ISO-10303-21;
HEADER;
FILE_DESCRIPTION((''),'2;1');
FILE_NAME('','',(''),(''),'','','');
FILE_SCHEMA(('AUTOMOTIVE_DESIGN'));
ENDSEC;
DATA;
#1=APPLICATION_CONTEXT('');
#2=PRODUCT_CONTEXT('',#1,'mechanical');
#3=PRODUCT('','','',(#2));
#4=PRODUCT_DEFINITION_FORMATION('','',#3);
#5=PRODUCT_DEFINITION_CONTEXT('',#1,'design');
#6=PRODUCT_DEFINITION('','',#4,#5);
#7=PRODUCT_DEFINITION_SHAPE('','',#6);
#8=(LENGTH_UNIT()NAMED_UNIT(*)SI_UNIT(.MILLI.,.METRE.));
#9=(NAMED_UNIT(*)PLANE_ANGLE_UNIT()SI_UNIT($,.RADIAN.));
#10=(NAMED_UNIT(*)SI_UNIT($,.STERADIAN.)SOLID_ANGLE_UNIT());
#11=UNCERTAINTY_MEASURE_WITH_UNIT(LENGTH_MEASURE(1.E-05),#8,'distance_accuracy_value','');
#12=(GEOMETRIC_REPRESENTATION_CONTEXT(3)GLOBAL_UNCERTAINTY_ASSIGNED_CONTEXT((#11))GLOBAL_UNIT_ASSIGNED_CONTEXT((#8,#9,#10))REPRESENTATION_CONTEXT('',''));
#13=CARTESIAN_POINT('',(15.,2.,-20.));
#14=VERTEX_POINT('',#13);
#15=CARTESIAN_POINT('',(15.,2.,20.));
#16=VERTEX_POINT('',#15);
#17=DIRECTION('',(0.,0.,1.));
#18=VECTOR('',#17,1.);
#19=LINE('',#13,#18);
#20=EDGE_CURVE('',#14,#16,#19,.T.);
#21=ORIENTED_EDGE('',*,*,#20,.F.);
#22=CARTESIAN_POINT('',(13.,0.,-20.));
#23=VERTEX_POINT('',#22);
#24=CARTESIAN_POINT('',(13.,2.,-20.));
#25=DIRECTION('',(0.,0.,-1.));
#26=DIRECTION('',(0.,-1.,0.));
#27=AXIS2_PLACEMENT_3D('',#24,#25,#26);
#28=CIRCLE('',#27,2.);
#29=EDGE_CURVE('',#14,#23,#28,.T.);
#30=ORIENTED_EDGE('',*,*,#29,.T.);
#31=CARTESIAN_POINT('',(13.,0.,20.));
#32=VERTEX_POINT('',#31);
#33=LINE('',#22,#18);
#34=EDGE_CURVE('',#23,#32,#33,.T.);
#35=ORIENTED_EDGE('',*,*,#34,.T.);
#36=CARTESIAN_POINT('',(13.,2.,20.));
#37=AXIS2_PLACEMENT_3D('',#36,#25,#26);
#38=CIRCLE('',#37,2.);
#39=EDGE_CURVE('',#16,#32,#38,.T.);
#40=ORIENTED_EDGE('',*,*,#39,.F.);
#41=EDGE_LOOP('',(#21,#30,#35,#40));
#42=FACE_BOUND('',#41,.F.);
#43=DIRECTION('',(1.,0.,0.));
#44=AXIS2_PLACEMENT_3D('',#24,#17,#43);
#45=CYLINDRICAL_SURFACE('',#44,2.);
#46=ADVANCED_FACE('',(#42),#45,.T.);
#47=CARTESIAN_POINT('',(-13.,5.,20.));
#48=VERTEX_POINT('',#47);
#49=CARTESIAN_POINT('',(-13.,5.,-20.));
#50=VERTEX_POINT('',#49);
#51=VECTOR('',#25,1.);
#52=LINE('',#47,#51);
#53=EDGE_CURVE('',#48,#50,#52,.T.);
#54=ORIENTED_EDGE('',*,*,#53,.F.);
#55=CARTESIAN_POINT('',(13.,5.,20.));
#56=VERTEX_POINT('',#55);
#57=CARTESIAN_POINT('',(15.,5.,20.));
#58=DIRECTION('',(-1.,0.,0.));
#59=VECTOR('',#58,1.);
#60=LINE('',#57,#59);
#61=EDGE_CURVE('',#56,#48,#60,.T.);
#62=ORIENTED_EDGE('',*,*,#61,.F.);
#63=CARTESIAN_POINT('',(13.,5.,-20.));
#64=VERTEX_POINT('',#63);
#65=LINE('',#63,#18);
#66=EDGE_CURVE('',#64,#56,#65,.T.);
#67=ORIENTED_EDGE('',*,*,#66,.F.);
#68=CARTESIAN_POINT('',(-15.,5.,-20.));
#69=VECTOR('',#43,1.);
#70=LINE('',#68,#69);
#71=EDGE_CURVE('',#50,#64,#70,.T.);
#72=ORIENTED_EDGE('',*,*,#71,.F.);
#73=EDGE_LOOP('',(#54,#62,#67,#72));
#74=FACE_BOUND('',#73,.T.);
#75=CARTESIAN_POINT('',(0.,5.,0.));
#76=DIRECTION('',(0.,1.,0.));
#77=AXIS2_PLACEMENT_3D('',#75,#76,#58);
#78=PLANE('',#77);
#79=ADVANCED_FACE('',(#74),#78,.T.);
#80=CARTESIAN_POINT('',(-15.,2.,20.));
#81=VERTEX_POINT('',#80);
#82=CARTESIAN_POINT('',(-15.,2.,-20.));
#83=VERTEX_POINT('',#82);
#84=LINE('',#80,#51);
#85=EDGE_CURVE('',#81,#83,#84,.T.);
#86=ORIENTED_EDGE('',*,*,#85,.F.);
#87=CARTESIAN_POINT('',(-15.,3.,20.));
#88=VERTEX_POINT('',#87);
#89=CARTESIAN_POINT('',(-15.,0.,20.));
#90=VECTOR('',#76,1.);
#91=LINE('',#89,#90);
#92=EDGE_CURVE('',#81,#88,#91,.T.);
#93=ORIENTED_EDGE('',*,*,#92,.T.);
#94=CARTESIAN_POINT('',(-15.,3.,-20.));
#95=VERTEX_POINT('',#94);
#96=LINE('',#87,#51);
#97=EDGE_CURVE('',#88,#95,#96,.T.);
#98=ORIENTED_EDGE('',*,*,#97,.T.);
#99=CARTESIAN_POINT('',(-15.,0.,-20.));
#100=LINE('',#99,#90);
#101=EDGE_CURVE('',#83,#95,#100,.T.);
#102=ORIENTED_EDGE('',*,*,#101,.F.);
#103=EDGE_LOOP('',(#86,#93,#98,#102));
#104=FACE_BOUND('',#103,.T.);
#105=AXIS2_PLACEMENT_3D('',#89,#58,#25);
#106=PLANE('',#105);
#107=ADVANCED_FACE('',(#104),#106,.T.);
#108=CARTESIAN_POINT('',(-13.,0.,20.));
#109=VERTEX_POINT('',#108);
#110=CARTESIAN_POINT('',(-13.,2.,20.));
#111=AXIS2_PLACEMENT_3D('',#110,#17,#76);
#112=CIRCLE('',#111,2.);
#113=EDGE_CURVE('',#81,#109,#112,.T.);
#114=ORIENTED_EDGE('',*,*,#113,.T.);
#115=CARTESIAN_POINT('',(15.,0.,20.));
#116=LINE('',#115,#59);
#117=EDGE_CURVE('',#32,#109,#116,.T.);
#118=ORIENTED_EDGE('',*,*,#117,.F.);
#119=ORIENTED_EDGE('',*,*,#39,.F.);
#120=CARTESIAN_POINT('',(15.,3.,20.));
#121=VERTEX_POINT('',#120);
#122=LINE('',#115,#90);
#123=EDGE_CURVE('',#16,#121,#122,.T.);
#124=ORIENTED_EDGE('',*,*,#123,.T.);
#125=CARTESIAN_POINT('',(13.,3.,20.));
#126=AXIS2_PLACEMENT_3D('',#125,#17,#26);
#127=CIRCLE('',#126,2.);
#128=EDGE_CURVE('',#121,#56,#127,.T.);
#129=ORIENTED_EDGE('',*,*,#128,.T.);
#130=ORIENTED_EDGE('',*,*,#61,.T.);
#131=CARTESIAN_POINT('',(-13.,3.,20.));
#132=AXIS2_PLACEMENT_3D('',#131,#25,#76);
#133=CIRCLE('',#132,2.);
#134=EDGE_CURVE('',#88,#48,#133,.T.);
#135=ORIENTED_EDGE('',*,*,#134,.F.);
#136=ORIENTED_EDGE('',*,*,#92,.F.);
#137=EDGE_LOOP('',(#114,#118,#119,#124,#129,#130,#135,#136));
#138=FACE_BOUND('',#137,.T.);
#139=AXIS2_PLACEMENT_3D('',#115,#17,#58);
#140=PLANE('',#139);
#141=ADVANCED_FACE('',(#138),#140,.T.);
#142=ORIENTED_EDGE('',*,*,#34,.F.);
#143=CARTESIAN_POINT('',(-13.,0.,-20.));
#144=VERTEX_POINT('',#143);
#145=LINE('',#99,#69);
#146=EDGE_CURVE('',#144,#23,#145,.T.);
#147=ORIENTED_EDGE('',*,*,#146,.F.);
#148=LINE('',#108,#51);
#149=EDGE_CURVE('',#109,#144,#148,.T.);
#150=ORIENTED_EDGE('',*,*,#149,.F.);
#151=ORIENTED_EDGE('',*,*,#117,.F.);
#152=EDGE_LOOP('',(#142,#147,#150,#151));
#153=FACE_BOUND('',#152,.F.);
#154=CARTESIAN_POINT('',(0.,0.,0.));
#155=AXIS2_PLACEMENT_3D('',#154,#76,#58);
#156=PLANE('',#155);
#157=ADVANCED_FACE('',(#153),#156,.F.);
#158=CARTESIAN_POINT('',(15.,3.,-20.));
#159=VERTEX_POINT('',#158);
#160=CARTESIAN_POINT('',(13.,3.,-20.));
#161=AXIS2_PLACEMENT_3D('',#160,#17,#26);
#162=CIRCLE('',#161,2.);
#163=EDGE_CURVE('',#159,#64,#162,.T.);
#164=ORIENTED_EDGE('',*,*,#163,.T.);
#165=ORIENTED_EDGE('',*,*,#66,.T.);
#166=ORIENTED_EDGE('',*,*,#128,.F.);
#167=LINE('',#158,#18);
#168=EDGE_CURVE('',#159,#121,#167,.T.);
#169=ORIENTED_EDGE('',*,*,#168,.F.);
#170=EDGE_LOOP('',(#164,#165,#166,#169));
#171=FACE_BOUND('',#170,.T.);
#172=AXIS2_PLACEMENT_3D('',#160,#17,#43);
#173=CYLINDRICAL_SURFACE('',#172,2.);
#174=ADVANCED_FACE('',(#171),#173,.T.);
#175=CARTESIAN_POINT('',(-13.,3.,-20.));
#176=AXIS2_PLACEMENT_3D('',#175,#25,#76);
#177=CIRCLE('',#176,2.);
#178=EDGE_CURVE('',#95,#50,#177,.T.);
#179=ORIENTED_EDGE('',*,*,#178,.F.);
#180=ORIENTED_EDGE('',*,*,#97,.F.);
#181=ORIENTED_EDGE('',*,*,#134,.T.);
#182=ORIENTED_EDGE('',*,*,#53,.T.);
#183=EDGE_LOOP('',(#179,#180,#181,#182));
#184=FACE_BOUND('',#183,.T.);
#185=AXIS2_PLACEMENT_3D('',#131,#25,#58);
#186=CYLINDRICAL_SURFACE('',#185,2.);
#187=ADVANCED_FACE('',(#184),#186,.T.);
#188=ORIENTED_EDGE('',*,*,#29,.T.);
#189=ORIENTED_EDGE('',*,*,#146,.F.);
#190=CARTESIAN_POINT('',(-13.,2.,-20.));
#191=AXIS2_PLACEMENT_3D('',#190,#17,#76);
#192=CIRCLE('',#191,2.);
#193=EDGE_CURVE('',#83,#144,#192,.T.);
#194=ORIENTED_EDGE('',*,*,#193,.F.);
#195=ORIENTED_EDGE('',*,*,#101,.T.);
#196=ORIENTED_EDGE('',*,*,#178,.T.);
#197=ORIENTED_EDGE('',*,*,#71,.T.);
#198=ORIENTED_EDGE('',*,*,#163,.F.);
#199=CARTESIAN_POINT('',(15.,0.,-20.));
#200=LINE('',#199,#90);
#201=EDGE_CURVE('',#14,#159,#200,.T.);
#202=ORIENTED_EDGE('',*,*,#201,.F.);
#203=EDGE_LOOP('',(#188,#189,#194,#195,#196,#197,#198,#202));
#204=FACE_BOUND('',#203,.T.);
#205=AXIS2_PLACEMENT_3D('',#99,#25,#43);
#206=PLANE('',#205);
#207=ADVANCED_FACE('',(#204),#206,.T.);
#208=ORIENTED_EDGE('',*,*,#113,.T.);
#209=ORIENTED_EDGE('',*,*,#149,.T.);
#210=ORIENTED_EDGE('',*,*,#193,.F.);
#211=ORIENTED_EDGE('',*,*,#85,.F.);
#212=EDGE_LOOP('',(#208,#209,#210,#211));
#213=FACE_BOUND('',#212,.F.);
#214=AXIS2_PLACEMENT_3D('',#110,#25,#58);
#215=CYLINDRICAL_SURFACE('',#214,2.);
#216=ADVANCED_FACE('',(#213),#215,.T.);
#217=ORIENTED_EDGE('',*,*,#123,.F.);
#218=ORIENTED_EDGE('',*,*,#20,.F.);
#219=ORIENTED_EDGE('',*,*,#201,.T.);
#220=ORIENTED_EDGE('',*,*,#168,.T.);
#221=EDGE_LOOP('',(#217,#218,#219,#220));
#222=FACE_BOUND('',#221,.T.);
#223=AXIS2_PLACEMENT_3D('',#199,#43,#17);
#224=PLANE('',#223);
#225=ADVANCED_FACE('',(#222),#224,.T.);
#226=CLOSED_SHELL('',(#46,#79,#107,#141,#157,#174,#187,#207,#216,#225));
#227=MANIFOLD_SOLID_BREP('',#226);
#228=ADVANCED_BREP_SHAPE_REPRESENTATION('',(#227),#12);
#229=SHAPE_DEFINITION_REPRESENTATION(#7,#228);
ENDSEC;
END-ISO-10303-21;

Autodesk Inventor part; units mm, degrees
ref_plane "YZ Plane" through (0, 0, 0) normal (1, 0, 0) x (0, 1, 0)
ref_plane "XZ Plane" through (0, 0, 0) normal (0, 1, 0) x (-1, 0, 0)
ref_plane "XY Plane" through (0, 0, 0) normal (0, 0, 1) x (1, 0, 0)
sketch "Szkic1" plane through (0, 0, 0) normal (0, 1, 0) x (-1, 0, 0)
  line L0 (-15, 20) -> (15, 20)
  line L1 (15, 20) -> (15, -20)
  line L2 (15, -20) -> (-15, -20)
  line L3 (-15, -20) -> (-15, 20)
  line L4 (-15, 20) -> (15, -20) construction
  line L5 (15, 20) -> (-15, -20) construction
  point P0 (0, 0)
  dimension "d0" = 30
  dimension "d1" = 40
extrude "Wyciągnięcie proste1" add sketch "Szkic1" along normal blind 5
fillet "Zaokrąglenie1" radius 2 4 edges at (15, 5, 0) (-15, 5, 0) (15, 0, 0) (-15, 0, 0)
properties part number "Battery_atrapa"
